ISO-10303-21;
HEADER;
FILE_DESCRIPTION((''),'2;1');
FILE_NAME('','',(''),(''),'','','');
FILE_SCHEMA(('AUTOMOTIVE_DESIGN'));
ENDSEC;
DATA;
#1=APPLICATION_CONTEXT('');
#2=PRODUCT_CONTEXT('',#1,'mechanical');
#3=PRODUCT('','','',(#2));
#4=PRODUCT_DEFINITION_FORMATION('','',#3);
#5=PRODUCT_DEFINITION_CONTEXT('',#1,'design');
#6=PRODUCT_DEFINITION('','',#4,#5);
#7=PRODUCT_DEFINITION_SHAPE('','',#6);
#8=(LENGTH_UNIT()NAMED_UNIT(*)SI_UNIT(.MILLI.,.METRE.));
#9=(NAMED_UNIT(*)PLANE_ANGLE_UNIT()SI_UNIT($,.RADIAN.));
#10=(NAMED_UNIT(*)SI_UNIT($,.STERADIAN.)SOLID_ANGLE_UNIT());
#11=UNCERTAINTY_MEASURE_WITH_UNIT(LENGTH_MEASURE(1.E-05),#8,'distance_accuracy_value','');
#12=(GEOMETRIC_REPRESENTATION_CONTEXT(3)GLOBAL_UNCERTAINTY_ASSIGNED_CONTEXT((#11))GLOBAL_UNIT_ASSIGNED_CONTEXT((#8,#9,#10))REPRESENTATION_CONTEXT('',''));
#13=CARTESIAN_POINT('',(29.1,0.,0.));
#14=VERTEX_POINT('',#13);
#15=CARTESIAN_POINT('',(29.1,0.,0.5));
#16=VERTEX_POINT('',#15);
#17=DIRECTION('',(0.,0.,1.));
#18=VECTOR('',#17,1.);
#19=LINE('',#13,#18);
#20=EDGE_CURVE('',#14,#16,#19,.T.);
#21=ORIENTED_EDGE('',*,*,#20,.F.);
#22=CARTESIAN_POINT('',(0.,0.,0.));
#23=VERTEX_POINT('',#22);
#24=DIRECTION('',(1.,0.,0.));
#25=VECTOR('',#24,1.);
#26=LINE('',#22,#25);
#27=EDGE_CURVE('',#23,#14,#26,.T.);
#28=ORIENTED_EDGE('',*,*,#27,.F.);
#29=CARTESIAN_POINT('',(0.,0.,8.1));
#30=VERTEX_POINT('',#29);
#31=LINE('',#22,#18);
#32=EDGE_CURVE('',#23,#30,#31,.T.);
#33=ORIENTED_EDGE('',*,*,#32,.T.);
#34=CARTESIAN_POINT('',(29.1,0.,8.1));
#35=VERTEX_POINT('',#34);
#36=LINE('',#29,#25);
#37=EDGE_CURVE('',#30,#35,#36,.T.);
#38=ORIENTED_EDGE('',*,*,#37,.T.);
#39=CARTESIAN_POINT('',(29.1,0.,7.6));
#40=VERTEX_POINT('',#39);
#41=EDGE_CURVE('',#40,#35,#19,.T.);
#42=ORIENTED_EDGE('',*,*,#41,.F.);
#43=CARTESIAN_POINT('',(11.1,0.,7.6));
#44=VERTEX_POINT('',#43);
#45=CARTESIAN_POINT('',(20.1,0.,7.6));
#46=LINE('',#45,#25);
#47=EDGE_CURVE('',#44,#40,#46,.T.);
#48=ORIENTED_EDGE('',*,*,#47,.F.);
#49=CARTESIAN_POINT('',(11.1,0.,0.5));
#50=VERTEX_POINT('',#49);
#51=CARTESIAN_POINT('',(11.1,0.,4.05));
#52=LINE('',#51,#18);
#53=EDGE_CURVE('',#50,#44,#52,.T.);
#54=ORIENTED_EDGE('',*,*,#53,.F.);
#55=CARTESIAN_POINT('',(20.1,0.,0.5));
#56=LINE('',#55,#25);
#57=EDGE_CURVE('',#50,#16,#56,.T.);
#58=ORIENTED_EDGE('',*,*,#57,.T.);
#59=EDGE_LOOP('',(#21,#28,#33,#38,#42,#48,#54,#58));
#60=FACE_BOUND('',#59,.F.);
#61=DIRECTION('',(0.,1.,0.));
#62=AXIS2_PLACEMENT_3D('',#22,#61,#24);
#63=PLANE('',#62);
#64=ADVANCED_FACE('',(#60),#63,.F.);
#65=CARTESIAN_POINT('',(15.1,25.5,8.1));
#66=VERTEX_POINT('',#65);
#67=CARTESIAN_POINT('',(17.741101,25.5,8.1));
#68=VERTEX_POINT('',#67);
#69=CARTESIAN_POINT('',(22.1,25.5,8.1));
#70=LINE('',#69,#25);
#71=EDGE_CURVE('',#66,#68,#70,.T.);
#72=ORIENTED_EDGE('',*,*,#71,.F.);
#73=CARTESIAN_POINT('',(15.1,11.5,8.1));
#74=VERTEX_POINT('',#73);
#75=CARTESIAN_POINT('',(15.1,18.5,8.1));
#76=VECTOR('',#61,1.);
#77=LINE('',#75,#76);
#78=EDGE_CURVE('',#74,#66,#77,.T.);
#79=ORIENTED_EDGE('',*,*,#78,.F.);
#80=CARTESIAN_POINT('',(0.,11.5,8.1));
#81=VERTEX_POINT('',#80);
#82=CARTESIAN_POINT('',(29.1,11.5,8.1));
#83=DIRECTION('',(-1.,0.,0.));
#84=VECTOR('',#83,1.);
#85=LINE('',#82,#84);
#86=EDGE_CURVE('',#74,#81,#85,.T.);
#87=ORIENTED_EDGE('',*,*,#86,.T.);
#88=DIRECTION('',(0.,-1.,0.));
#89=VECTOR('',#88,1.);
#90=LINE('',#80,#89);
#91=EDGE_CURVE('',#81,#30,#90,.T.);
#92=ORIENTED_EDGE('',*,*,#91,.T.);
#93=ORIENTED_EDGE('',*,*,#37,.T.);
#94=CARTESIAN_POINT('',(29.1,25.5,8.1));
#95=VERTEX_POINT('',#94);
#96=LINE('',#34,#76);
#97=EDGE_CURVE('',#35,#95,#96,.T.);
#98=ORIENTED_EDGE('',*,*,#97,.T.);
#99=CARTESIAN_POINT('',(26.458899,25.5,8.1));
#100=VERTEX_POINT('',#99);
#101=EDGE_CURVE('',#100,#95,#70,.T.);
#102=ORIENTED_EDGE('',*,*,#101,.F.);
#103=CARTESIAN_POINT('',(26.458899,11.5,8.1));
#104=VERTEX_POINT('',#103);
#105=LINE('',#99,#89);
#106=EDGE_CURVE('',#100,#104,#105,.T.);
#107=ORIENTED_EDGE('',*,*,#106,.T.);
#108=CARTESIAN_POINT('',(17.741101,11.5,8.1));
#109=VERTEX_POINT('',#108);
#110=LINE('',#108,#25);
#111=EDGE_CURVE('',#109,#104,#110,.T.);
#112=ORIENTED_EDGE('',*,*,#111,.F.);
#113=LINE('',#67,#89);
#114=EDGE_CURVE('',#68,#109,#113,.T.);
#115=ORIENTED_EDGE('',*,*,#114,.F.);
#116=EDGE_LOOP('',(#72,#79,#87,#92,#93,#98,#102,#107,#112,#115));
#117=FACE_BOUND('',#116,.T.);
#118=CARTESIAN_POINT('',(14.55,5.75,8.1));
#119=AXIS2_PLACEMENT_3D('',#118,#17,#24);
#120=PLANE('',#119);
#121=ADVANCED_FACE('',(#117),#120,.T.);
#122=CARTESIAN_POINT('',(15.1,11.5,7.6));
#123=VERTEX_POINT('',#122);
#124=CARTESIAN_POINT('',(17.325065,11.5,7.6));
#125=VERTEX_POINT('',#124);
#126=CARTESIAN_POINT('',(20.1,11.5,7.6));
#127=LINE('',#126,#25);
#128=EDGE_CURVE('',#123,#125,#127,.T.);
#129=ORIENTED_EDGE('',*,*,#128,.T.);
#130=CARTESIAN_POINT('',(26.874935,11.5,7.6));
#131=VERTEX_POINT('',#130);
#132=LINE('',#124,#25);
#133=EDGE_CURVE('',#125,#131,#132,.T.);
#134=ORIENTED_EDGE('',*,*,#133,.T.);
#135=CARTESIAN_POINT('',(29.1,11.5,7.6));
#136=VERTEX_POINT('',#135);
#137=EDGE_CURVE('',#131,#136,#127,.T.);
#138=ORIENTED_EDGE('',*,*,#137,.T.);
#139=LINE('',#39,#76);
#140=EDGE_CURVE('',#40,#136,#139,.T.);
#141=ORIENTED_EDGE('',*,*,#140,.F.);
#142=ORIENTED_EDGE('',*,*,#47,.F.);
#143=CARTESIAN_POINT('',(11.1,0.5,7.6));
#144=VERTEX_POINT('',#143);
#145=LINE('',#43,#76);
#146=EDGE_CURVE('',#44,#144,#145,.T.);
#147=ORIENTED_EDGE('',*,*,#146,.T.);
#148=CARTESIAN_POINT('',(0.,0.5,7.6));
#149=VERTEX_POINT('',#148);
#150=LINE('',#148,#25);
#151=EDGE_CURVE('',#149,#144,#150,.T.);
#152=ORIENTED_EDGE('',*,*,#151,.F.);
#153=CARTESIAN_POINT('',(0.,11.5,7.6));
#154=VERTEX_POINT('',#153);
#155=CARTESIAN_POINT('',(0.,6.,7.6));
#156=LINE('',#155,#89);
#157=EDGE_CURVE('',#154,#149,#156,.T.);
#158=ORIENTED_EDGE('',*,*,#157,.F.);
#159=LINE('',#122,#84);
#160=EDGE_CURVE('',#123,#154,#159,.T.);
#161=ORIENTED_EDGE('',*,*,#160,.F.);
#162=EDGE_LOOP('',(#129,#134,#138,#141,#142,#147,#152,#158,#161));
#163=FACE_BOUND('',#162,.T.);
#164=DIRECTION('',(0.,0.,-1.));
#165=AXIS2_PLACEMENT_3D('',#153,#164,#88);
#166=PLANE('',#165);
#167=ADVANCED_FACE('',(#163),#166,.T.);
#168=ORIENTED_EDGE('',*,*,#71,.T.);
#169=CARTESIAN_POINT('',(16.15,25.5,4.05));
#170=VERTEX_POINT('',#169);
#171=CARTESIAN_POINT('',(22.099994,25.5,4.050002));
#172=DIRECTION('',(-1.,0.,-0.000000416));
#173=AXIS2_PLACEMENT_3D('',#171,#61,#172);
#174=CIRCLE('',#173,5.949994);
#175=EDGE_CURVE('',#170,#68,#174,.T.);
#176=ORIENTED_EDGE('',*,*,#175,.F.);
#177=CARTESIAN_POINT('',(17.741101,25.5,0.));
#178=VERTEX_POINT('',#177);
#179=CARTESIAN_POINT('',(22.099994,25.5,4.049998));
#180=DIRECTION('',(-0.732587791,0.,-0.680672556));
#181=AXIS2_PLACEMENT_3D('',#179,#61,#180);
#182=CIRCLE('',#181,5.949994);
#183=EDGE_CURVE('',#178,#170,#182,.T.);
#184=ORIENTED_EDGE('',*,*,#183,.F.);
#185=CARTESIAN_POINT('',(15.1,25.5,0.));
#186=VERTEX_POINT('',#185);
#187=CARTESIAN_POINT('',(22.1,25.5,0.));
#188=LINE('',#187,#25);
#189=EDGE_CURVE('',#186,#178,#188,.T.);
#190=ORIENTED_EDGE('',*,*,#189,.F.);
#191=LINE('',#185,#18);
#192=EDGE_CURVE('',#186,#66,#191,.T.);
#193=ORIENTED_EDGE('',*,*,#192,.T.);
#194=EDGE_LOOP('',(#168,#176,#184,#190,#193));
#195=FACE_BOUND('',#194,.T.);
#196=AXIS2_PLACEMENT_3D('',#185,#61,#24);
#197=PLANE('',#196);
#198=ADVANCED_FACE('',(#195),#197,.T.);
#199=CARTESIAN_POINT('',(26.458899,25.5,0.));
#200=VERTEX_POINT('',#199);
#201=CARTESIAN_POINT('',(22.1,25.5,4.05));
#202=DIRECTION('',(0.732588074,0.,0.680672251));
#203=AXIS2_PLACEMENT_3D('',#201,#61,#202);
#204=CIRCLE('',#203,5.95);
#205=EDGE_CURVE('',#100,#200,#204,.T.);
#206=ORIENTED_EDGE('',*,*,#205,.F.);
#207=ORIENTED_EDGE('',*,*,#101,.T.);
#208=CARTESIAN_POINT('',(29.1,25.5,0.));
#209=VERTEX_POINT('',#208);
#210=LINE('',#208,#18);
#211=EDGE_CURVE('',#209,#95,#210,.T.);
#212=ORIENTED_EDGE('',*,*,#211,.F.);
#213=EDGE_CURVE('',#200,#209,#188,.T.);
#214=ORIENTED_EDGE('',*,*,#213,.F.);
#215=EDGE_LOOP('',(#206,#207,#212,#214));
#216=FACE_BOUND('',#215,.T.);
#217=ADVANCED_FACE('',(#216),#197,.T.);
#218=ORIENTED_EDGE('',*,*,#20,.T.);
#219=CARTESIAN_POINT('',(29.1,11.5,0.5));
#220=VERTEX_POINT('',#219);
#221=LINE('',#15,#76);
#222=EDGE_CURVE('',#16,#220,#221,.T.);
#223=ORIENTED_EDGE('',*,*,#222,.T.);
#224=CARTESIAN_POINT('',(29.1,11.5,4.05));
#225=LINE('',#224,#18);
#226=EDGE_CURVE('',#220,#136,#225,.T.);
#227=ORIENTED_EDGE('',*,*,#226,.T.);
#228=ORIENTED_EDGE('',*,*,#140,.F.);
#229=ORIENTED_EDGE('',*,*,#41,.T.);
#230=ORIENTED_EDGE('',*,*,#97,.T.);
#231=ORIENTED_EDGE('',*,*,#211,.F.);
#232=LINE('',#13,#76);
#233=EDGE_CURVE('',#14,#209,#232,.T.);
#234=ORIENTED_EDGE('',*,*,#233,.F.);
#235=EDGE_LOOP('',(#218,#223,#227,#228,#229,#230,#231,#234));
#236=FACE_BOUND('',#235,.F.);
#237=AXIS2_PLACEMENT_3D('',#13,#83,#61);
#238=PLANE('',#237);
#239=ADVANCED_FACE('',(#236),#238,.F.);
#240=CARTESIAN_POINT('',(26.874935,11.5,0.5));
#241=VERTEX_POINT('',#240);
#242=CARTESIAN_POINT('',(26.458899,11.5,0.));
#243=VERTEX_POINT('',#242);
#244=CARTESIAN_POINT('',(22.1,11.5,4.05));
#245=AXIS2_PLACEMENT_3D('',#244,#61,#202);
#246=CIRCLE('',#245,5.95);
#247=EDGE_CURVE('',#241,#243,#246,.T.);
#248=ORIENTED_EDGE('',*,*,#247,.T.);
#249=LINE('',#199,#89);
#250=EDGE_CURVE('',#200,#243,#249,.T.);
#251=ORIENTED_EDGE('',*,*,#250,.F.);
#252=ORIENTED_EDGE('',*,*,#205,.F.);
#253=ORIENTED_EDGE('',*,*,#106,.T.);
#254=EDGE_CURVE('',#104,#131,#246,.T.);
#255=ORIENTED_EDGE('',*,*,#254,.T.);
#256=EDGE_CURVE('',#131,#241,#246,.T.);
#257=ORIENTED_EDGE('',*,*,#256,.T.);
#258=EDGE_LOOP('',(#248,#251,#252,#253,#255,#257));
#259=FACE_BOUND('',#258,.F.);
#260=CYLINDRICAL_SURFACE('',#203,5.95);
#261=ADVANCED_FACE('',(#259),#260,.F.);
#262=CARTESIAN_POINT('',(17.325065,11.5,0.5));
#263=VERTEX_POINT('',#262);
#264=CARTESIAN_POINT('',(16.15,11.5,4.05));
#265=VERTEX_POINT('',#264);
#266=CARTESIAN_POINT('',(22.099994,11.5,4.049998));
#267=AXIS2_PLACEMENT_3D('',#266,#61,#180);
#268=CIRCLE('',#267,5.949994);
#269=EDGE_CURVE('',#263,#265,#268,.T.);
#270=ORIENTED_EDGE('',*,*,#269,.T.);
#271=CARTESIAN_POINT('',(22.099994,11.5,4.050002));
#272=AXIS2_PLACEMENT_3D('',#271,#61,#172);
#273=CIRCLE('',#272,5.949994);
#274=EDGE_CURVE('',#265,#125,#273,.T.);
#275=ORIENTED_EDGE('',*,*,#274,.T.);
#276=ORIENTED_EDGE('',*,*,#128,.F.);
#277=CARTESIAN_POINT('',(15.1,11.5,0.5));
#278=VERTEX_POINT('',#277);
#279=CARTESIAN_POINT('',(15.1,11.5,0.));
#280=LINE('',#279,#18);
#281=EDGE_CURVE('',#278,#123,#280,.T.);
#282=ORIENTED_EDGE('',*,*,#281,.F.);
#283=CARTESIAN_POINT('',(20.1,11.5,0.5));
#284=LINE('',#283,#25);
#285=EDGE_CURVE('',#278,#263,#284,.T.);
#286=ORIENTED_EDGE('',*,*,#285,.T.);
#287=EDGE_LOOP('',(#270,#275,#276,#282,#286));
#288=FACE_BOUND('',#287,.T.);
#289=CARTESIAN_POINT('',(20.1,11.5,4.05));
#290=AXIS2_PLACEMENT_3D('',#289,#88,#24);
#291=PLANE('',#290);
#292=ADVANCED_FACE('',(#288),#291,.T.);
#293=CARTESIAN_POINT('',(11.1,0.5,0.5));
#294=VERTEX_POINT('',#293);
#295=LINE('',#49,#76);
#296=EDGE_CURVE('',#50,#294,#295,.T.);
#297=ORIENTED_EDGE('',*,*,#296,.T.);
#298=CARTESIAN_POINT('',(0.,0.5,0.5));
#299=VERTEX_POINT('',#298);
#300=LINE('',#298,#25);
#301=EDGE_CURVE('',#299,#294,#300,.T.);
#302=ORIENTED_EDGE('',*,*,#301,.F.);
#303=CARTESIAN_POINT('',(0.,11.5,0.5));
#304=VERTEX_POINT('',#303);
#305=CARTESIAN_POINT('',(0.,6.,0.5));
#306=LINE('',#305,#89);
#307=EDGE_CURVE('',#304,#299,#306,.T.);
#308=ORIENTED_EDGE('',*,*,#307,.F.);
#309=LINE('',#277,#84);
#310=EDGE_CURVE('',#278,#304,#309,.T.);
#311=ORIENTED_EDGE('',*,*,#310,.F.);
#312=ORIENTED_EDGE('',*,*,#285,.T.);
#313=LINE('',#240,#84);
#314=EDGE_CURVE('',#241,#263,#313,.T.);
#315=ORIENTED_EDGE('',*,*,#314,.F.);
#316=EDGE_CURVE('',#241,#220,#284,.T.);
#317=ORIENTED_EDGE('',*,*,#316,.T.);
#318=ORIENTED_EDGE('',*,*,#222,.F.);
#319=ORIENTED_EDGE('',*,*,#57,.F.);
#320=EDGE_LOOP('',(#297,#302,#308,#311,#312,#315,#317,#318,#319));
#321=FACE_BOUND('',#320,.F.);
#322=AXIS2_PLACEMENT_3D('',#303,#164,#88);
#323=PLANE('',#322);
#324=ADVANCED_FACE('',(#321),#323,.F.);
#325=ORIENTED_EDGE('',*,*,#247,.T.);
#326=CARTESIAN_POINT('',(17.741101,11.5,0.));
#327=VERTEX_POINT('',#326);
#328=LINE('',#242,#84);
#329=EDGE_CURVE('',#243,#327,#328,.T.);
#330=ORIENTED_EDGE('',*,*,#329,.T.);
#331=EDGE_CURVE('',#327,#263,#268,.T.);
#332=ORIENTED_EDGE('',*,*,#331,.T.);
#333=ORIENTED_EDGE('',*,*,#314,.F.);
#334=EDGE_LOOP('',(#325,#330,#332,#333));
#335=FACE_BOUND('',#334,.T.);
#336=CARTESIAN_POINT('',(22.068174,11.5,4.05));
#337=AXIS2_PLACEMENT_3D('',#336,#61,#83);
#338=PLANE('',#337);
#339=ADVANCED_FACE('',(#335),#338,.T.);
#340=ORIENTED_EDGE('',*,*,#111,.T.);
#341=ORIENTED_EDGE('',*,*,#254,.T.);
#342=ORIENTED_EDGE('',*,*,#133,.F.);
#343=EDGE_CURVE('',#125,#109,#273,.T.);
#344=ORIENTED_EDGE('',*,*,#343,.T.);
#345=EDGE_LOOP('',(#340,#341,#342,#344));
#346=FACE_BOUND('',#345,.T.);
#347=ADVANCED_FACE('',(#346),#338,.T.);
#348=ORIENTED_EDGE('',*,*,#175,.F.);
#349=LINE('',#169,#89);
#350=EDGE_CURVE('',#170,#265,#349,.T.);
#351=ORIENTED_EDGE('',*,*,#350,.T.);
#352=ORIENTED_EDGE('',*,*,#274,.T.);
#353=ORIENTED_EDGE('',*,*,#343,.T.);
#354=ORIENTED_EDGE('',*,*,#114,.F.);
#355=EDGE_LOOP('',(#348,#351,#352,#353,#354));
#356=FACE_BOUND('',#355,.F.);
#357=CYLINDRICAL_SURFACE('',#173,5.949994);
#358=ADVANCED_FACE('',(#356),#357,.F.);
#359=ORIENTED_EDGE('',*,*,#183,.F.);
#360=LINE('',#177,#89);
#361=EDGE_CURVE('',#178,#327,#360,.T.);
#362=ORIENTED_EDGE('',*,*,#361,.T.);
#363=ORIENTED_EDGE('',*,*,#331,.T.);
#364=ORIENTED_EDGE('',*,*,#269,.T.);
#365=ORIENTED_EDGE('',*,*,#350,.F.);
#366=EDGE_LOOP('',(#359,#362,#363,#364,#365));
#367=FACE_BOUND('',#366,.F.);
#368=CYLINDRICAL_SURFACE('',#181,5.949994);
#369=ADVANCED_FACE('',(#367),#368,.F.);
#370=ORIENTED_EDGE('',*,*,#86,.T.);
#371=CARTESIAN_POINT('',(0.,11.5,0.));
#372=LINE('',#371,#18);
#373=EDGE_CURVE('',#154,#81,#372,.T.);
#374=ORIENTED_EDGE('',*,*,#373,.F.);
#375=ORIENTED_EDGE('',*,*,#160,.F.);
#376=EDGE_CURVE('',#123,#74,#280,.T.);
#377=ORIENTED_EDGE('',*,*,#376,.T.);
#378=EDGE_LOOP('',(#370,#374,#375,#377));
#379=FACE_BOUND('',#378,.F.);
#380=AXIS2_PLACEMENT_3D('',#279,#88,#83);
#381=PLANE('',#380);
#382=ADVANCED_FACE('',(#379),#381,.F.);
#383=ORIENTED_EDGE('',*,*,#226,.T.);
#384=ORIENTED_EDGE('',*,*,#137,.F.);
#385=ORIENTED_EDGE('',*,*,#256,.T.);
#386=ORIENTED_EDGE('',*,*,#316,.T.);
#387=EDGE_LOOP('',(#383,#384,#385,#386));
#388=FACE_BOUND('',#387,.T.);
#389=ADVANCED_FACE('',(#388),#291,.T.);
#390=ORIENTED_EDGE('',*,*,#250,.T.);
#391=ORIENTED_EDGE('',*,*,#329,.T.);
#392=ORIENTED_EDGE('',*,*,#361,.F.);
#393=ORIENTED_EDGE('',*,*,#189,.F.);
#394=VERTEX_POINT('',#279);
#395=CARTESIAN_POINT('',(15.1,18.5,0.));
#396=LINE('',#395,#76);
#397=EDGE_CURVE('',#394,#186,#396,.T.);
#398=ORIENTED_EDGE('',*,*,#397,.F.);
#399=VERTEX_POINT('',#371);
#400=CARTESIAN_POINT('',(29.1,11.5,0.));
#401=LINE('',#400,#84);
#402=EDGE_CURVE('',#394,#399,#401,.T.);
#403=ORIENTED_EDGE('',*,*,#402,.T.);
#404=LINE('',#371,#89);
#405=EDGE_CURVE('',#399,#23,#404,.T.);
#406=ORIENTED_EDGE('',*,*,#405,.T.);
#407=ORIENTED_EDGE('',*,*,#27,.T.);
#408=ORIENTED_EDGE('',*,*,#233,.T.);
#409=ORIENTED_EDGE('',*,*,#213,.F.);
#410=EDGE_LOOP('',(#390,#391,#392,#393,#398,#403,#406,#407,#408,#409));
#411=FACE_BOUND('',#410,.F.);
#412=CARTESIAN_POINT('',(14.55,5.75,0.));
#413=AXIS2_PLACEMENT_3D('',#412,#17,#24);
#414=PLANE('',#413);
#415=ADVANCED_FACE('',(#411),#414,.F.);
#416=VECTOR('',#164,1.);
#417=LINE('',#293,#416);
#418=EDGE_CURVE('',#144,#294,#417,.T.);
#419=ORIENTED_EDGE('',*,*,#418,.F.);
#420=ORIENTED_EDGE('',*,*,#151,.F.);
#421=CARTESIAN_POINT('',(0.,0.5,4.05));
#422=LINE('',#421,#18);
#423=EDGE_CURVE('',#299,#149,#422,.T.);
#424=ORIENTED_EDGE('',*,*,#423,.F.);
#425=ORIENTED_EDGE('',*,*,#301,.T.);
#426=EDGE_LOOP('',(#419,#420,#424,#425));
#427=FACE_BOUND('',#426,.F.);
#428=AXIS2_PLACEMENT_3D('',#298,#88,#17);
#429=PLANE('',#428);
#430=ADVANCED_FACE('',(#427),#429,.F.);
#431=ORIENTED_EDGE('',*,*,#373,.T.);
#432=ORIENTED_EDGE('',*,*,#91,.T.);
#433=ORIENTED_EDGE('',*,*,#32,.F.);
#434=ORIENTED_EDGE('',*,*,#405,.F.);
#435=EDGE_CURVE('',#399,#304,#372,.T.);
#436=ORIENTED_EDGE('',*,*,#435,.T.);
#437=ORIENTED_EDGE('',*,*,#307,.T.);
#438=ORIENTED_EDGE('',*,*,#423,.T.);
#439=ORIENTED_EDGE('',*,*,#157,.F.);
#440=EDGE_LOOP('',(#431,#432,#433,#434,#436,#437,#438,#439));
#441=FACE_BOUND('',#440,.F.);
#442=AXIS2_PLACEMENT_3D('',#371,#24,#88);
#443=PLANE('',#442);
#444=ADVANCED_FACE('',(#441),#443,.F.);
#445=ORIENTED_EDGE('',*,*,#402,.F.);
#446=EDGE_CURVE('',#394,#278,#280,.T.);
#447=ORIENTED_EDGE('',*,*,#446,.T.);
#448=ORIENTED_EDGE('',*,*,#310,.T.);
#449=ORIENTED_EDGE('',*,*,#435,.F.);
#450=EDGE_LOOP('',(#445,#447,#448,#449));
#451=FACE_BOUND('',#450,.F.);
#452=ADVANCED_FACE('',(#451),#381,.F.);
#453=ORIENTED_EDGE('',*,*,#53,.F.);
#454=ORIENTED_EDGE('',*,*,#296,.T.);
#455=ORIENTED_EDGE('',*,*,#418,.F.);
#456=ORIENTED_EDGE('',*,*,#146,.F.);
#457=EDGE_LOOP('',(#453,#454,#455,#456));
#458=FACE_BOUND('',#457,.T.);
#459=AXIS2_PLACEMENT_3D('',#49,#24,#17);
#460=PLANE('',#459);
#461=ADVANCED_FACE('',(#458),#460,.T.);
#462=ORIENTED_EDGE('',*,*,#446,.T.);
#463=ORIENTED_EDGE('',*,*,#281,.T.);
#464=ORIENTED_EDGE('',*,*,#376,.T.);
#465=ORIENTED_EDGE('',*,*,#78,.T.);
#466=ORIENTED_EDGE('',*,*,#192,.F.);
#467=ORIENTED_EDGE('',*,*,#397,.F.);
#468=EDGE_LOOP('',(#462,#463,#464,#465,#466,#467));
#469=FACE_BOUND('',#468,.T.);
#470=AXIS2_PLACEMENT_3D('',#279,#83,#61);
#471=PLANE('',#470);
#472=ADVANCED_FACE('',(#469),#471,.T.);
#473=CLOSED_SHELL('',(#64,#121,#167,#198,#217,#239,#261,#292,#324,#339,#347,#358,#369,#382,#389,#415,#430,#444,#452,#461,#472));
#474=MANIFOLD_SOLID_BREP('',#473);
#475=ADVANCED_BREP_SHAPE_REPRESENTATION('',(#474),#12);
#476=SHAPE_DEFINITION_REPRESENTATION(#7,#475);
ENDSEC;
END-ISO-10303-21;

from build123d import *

# Parameters (mm, degrees)
F0_W     = 14
F0_H     = 14
F1_DEPTH = 8.1
F2_W     = 18
F2_H     = 7.1
F3_DEPTH = 11.5
F5_DEPTH = 14
F6_W     = 11
F6_H     = 7.1
F7_DEPTH = 25


with BuildPart() as f1:
    # F0 (on Top) → F1 (new body)
    with BuildSketch(Plane.XY):
        Polygon((0, 11.5), (0, 0), (29.1, 0), (29.1, 11.5), (15.1, 11.5), align=None)
        with Locations((22.1, 18.5)):
            Rectangle(F0_W, F0_H)
    extrude(amount=F1_DEPTH)

    # F2 (on face) → F3 (cut)
    with BuildSketch(Plane.XZ):
        with Locations((20.1, 4.05)):
            Rectangle(F2_W, F2_H)
    extrude(amount=-F3_DEPTH, mode=Mode.SUBTRACT)

    # F4 (on face) → F5 (cut)
    with BuildSketch(Plane(origin=(0, 25.5, 0), x_dir=(-1, 0, 0), z_dir=(0, 1, 0))):
        with BuildLine():
            ThreePointArc((-17.741101, 0), (-16.562042, 1.874333), (-16.15, 4.05))
            ThreePointArc((-16.15, 4.05), (-16.562042, 6.225667), (-17.741101, 8.1))
            Line((-17.741101, 8.1), (-26.458899, 8.1))
            ThreePointArc((-26.458899, 8.1), (-28.05, 4.05), (-26.458899, 0))
            Line((-26.458899, 0), (-17.741101, 0))
        make_face()
    extrude(amount=-F5_DEPTH, mode=Mode.SUBTRACT)

    # F6 (on face) → F7 (cut)
    with BuildSketch(Plane(origin=(0, 0, 0), x_dir=(0, -1, 0), z_dir=(-1, 0, 0))):
        with Locations((-6, 4.05)):
            Rectangle(F6_W, F6_H)
    extrude(amount=-F7_DEPTH, mode=Mode.SUBTRACT)


solid = f1.part
